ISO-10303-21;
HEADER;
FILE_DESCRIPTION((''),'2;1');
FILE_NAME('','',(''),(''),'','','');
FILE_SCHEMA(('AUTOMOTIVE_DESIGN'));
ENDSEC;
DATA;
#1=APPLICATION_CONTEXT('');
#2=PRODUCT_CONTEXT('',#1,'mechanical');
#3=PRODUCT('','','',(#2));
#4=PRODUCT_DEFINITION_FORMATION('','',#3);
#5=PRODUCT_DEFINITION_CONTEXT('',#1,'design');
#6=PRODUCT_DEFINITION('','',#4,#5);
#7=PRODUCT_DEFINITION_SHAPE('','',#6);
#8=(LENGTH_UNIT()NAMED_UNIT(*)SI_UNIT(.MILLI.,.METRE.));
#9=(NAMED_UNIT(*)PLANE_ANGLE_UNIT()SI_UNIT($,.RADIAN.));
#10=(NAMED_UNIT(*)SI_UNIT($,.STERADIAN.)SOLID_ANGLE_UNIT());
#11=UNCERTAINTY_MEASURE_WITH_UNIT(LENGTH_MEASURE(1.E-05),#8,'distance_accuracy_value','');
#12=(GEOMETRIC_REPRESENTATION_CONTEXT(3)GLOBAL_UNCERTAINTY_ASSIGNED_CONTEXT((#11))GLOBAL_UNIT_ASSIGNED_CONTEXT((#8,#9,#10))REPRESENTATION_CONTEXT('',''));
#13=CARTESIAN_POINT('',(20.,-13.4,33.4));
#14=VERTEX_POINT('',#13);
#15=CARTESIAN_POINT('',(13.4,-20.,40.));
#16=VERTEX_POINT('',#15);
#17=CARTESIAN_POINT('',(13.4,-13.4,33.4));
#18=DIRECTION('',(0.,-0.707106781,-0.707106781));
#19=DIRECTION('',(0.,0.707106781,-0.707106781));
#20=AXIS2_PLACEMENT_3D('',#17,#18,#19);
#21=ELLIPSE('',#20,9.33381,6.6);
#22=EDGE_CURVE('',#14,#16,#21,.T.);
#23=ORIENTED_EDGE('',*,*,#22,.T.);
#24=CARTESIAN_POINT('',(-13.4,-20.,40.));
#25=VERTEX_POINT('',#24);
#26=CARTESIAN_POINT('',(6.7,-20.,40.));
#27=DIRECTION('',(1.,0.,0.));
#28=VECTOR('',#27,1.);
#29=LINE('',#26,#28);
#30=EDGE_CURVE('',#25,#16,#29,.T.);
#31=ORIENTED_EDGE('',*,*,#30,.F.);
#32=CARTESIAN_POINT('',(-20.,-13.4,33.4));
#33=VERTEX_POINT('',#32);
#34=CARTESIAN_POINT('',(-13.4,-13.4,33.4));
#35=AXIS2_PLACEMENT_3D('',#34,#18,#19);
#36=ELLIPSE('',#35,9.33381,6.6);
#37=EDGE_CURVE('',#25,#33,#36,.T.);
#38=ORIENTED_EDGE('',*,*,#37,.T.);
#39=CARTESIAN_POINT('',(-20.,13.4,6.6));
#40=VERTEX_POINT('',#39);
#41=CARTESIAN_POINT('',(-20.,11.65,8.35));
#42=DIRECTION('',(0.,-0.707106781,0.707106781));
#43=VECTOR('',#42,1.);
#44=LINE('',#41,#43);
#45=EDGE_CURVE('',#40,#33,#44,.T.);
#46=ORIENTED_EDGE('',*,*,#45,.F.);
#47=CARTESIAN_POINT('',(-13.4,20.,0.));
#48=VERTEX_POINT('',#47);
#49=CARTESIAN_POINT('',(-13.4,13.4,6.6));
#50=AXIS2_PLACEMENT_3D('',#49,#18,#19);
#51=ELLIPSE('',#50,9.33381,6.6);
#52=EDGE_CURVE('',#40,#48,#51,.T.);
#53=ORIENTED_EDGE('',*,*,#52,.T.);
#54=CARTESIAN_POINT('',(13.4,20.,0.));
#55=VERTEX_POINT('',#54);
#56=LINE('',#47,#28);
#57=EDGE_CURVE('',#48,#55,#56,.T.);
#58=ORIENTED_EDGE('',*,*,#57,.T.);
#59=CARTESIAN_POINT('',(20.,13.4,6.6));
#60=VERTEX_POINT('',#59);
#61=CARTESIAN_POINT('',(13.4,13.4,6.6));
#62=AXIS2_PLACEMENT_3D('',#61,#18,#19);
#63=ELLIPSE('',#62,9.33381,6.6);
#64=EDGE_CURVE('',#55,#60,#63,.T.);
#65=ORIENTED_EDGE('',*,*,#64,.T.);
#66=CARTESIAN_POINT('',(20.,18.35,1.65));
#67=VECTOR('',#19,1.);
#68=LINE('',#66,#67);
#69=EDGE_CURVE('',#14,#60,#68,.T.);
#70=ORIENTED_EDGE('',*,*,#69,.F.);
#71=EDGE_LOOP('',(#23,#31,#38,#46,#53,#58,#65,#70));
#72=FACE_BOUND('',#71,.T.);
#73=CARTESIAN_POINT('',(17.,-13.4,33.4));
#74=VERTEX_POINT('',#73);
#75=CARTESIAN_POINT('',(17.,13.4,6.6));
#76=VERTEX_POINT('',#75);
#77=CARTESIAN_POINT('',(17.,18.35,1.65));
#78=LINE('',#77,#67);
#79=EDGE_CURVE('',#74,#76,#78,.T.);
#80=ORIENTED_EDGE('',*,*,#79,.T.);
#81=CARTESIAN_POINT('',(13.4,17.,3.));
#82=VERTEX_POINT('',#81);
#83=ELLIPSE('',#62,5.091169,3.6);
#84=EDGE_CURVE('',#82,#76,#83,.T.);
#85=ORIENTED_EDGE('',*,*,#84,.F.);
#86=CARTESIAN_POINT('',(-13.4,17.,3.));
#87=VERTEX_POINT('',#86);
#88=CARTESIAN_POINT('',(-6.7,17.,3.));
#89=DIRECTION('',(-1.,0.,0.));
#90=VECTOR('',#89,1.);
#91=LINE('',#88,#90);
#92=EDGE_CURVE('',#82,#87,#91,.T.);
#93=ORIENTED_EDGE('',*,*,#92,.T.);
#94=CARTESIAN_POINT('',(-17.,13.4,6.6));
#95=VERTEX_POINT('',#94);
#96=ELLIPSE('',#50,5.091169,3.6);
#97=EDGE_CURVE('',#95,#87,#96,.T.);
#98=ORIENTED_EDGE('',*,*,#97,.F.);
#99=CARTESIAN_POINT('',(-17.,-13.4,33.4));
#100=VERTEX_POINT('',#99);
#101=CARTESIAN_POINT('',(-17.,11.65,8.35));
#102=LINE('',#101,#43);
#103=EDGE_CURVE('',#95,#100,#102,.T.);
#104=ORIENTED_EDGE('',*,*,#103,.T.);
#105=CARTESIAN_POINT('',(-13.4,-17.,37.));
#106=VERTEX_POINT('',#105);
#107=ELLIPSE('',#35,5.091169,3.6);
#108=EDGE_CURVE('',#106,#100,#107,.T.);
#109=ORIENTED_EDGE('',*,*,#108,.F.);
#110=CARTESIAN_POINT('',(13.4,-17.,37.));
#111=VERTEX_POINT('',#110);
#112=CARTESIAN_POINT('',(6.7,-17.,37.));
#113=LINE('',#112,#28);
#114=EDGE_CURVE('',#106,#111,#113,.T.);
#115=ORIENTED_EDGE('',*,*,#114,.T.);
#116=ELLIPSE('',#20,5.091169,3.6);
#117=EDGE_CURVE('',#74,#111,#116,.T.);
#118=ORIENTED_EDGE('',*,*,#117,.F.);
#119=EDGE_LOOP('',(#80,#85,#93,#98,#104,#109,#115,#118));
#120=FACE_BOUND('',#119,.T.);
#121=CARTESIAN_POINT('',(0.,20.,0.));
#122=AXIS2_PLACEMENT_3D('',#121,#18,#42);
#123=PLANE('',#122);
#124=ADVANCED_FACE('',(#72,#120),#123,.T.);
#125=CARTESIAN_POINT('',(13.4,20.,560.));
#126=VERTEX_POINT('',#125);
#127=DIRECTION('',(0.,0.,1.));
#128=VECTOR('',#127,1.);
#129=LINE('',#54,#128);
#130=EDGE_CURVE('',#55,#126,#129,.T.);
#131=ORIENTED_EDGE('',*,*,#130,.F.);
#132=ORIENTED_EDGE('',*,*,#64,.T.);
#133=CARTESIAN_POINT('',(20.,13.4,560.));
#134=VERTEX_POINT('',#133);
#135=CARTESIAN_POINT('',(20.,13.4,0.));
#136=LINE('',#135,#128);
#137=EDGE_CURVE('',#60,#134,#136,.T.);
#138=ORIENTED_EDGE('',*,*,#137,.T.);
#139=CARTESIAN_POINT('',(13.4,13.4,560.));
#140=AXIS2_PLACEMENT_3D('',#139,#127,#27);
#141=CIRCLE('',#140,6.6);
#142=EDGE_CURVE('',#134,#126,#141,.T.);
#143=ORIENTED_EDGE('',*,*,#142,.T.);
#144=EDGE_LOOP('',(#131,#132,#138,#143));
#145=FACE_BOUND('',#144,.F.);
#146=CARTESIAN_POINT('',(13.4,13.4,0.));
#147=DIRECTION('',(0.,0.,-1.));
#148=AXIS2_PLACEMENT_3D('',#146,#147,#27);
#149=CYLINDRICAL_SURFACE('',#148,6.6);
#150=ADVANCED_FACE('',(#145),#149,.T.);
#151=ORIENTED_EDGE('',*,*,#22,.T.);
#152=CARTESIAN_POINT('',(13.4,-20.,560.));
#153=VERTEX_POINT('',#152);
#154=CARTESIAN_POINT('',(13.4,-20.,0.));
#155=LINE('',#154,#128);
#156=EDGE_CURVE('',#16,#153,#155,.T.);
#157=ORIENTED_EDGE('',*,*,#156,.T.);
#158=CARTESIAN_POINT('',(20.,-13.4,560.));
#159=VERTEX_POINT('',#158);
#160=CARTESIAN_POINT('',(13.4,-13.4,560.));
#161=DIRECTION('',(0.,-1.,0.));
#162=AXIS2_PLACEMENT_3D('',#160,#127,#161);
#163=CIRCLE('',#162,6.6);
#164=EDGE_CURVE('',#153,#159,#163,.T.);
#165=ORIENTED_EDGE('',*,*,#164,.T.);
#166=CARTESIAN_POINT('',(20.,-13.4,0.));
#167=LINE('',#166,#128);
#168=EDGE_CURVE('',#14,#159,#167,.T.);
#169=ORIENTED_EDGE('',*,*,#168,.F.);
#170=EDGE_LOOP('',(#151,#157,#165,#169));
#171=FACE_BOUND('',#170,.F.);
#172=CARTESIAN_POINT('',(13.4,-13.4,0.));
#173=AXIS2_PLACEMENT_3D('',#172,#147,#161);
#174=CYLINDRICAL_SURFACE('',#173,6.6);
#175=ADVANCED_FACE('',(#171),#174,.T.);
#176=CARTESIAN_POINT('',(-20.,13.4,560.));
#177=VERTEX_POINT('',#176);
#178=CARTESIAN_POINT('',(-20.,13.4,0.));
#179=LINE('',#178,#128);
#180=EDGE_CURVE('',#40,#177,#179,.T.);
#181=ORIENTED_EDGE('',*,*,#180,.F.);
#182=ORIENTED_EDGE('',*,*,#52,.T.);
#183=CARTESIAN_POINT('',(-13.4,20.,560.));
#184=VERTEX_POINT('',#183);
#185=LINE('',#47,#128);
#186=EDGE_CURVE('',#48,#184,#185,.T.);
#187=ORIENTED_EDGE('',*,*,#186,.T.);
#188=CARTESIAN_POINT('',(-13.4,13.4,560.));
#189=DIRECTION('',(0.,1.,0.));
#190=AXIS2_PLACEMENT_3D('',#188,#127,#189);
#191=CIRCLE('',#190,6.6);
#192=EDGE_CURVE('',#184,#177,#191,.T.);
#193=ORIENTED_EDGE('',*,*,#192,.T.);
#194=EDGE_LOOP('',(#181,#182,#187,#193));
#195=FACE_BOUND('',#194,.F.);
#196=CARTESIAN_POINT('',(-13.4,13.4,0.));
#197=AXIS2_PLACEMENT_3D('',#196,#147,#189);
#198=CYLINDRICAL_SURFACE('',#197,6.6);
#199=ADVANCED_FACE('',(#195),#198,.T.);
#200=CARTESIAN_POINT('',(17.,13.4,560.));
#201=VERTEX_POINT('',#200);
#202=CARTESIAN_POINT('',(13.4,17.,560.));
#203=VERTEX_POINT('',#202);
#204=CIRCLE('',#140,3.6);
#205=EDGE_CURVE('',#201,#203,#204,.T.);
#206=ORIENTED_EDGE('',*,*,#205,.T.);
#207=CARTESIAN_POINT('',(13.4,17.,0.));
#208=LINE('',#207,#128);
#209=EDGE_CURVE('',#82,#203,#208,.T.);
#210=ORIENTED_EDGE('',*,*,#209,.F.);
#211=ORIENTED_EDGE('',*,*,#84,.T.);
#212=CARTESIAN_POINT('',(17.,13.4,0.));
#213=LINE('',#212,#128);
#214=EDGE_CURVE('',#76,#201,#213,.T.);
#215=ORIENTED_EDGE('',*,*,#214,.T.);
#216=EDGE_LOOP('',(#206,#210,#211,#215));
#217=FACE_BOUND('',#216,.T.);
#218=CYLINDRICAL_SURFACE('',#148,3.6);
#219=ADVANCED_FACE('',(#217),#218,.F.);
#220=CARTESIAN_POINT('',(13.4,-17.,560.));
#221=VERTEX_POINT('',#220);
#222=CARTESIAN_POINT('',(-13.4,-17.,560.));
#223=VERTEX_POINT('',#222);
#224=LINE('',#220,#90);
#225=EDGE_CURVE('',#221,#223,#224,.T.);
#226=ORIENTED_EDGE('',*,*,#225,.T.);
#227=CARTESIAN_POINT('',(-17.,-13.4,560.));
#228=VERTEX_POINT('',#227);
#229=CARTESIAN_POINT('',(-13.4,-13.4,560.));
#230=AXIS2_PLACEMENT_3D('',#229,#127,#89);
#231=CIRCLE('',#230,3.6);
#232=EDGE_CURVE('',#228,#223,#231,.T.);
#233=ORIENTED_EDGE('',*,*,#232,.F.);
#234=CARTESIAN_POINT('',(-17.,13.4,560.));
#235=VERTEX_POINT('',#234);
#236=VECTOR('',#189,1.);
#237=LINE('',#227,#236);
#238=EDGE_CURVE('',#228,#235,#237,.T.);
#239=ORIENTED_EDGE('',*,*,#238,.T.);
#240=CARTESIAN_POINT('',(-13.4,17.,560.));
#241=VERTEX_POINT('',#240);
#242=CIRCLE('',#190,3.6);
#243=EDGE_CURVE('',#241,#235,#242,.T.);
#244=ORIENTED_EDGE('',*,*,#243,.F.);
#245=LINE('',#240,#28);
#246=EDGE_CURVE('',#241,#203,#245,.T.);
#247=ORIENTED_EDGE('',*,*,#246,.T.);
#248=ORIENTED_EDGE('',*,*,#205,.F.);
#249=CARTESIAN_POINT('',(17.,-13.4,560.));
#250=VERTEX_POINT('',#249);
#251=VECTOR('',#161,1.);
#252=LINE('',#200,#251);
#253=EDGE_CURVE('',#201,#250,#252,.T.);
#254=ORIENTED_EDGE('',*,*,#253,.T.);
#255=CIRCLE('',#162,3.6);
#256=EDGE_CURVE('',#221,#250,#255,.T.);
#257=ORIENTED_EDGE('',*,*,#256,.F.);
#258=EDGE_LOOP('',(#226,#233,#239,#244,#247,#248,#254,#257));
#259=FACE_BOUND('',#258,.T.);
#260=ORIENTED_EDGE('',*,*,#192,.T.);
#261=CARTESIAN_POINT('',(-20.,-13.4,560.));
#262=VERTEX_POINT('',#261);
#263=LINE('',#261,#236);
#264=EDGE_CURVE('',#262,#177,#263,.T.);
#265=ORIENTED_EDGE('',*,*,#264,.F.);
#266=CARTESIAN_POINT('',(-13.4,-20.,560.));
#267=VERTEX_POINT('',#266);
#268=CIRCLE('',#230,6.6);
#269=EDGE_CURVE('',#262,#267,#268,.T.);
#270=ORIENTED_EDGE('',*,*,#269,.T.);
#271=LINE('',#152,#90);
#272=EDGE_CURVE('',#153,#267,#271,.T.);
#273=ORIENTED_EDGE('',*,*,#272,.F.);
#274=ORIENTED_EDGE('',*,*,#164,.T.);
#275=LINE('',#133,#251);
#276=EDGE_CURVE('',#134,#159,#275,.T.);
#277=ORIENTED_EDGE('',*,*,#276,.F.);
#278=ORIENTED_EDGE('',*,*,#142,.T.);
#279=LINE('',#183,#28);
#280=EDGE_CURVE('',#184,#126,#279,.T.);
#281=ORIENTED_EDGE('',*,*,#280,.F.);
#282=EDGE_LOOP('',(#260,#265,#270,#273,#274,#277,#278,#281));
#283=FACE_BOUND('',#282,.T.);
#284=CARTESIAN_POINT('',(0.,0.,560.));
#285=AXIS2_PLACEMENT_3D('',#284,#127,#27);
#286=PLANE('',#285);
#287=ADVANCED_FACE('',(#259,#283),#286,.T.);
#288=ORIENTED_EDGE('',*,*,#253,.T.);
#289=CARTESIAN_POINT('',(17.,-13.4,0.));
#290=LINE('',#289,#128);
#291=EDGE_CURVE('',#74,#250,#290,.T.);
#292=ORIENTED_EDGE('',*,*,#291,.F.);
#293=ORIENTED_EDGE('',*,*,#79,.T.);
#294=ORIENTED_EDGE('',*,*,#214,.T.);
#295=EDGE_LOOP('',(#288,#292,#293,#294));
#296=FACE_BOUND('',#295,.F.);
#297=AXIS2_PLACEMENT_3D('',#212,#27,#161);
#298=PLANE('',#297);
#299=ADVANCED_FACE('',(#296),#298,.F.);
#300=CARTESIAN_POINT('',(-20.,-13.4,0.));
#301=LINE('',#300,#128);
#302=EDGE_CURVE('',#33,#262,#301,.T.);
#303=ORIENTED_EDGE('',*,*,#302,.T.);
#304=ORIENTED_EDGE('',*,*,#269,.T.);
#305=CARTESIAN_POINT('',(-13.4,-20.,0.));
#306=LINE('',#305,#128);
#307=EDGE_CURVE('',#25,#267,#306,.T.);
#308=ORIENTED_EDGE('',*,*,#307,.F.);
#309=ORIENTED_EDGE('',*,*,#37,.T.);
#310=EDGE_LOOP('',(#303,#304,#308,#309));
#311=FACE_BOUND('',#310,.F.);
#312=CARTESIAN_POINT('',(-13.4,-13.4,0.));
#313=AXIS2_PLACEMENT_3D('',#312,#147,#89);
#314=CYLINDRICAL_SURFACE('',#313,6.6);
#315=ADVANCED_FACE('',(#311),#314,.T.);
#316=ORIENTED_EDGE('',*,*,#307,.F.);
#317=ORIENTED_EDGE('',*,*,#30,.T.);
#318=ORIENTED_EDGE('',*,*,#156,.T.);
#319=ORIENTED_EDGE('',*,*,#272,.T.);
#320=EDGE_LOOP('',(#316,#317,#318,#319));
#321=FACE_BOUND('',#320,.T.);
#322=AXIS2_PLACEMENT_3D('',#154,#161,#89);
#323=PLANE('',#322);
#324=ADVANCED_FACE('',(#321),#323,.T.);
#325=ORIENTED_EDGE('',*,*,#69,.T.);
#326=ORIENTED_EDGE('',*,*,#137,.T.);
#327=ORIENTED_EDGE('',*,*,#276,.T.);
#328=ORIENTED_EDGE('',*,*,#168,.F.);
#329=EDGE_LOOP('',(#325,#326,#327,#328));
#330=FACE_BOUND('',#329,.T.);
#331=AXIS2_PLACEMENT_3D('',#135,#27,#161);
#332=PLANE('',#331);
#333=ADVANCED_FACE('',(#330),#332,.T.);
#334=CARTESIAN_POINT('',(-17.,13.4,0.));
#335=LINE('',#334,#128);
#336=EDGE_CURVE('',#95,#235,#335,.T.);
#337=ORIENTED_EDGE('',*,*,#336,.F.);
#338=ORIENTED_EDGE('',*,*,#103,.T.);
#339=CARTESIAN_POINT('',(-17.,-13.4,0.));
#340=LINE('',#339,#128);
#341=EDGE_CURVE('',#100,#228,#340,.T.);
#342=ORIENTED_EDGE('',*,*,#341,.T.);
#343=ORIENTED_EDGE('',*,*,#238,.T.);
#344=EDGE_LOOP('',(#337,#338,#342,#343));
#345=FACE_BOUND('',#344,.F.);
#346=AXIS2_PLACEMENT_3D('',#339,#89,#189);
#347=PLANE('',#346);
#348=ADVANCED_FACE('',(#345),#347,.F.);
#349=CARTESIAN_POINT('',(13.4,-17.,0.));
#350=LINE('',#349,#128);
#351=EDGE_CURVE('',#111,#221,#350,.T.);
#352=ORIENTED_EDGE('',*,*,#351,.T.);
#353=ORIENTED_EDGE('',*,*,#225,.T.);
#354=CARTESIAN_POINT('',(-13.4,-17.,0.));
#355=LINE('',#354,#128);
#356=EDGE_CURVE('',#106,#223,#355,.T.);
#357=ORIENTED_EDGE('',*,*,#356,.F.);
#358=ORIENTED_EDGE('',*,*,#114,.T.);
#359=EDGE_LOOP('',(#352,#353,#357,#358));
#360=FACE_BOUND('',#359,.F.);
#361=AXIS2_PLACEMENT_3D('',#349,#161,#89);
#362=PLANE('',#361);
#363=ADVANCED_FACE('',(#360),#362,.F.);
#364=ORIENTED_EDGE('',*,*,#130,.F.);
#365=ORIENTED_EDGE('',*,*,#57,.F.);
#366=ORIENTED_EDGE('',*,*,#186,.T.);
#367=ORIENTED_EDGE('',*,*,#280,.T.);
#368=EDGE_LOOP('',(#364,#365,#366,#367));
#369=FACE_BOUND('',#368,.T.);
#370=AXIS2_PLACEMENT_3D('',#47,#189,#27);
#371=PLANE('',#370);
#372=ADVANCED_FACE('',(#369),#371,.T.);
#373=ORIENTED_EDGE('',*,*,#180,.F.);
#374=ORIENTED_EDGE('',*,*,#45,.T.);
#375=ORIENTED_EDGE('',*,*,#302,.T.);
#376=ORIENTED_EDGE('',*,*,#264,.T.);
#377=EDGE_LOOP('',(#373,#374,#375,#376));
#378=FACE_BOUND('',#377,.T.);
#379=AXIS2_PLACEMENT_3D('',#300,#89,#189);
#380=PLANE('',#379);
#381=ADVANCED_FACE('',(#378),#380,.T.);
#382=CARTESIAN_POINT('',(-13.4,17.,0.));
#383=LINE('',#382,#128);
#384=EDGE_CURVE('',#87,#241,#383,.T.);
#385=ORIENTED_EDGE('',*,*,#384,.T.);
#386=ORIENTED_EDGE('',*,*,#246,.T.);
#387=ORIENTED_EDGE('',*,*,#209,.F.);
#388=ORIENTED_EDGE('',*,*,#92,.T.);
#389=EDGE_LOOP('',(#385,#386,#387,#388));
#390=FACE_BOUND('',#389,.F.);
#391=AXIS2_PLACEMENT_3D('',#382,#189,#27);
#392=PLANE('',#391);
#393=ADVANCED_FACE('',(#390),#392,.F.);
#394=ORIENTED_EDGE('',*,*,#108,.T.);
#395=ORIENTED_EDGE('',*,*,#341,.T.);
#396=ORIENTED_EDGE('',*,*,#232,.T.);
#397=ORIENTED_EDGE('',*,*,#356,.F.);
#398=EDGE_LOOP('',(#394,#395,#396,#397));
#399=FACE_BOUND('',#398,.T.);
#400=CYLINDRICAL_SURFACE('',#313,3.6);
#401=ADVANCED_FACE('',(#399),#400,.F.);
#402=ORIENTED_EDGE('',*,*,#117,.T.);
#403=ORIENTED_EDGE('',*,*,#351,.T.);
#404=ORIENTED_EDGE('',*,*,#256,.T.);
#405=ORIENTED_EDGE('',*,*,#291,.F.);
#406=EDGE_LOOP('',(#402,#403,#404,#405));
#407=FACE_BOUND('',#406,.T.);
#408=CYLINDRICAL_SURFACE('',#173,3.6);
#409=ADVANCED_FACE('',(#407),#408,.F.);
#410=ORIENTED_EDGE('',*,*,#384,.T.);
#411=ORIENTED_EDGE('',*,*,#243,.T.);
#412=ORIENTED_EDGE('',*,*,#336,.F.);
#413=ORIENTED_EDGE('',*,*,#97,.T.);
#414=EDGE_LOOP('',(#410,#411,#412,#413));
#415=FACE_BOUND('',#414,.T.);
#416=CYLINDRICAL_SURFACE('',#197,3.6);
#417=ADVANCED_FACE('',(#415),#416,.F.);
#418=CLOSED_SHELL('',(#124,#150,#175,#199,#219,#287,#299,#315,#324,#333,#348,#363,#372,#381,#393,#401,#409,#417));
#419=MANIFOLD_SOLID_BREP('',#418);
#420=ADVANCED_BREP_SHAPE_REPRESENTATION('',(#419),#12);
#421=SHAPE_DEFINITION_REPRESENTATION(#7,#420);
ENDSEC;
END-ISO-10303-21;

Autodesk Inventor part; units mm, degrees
ref_plane "Start plane" through (0, 0, 0) normal (0, 0, 1) x (1, 0, 0)
ref_plane "End plane" through (0, 0, 560) normal (0, 0, 1) x (1, 0, 0)
sketch "Sketch" plane through (0, 0, 0) normal (0, 0, 1) x (1, 0, 0)
  line L0 (-20, -13.4) -> (-20, 13.4)
  line L1 (-13.4, 20) -> (13.4, 20)
  line L2 (20, 13.4) -> (20, -13.4)
  line L3 (13.4, -20) -> (-13.4, -20)
  arc A0 (-20, -13.4) -> (-13.4, -20) centre (-13.4, -13.4) ccw
  arc A1 (-13.4, 20) -> (-20, 13.4) centre (-13.4, 13.4) ccw
  arc A2 (20, 13.4) -> (13.4, 20) centre (13.4, 13.4) ccw
  arc A3 (13.4, -20) -> (20, -13.4) centre (13.4, -13.4) ccw
  arc A4 (-13.4, 17) -> (-17, 13.4) centre (-13.4, 13.4) ccw
  line L4 (-13.4, 17) -> (13.4, 17)
  arc A5 (17, 13.4) -> (13.4, 17) centre (13.4, 13.4) ccw
  line L5 (17, 13.4) -> (17, -13.4)
  arc A6 (13.4, -17) -> (17, -13.4) centre (13.4, -13.4) ccw
  line L6 (13.4, -17) -> (-13.4, -17)
  arc A7 (-17, -13.4) -> (-13.4, -17) centre (-13.4, -13.4) ccw
  line L7 (-17, -13.4) -> (-17, 13.4)
  line L8 (0, 29.9137) -> (0, -29.9137) construction
  line L9 (-29.9137, 0) -> (29.9137, 0) construction
  dimension "d7" = 6.6
  dimension "d10" = 40
  dimension "d11" = 40
  dimension "d12" = 3
  dimension "d15" = 20
  dimension "d16" = 20
extrude "Body" add sketch "Sketch" along normal up to surface (560 mm away) from surface at 0
sketch "Sketch3" plane through (0, 0, 0) normal (0, 0, 1) x (1, 0, 0)
  line L0 (0, 0) -> (10, 0)
ref_plane "Work Plane3" through (0, 0, 0) normal (0, -1, 0) x (1, 0, 0)
sketch "Sketch4" plane through (0, 0, 0) normal (0, -1, 0) x (1, 0, 0)
  line L0 (-2, 0) -> (12, 0)
  line L1 (-2, 560) -> (12, 560)
  dimension "d18" = 560
ref_plane "Work Plane4" through (380, -13.4, 560) normal (0, 0, 1) x (1, 0, 0)
split "Split1" plane through (380, -13.4, 560) removes the side toward (0, 0, 1)
ref_plane "Work Plane5" through (0, 20, 0) normal (0, -0.7071, -0.7071) x (1, 0, 0)
split "Split2" plane through (0, 20, 0) removes the side toward (0, -0.7071, -0.7071)
equation "\"d7\" = G_IR"
equation "\"d10\" = G_H"
equation "\"d11\" = G_W"
equation "\"d12\" = G_T"
equation "\"d15\" = 0.5 * d10"
equation "\"d16\" = 0.5 * d11"
equation "\"d3\" = G_L"
equation "\"G_W\" = 40"
equation "\"G_H\" = 40"
equation "\"G_T\" = 3"
equation "\"G_IR\" = 6.6"
equation "\"G_L\" = d18"
equation "\"G_OFFSET_START\" = 0"
properties part number "DIN EN 10305-5 - 40 x 40 x 3  - 560" material "Steel, Mild"
